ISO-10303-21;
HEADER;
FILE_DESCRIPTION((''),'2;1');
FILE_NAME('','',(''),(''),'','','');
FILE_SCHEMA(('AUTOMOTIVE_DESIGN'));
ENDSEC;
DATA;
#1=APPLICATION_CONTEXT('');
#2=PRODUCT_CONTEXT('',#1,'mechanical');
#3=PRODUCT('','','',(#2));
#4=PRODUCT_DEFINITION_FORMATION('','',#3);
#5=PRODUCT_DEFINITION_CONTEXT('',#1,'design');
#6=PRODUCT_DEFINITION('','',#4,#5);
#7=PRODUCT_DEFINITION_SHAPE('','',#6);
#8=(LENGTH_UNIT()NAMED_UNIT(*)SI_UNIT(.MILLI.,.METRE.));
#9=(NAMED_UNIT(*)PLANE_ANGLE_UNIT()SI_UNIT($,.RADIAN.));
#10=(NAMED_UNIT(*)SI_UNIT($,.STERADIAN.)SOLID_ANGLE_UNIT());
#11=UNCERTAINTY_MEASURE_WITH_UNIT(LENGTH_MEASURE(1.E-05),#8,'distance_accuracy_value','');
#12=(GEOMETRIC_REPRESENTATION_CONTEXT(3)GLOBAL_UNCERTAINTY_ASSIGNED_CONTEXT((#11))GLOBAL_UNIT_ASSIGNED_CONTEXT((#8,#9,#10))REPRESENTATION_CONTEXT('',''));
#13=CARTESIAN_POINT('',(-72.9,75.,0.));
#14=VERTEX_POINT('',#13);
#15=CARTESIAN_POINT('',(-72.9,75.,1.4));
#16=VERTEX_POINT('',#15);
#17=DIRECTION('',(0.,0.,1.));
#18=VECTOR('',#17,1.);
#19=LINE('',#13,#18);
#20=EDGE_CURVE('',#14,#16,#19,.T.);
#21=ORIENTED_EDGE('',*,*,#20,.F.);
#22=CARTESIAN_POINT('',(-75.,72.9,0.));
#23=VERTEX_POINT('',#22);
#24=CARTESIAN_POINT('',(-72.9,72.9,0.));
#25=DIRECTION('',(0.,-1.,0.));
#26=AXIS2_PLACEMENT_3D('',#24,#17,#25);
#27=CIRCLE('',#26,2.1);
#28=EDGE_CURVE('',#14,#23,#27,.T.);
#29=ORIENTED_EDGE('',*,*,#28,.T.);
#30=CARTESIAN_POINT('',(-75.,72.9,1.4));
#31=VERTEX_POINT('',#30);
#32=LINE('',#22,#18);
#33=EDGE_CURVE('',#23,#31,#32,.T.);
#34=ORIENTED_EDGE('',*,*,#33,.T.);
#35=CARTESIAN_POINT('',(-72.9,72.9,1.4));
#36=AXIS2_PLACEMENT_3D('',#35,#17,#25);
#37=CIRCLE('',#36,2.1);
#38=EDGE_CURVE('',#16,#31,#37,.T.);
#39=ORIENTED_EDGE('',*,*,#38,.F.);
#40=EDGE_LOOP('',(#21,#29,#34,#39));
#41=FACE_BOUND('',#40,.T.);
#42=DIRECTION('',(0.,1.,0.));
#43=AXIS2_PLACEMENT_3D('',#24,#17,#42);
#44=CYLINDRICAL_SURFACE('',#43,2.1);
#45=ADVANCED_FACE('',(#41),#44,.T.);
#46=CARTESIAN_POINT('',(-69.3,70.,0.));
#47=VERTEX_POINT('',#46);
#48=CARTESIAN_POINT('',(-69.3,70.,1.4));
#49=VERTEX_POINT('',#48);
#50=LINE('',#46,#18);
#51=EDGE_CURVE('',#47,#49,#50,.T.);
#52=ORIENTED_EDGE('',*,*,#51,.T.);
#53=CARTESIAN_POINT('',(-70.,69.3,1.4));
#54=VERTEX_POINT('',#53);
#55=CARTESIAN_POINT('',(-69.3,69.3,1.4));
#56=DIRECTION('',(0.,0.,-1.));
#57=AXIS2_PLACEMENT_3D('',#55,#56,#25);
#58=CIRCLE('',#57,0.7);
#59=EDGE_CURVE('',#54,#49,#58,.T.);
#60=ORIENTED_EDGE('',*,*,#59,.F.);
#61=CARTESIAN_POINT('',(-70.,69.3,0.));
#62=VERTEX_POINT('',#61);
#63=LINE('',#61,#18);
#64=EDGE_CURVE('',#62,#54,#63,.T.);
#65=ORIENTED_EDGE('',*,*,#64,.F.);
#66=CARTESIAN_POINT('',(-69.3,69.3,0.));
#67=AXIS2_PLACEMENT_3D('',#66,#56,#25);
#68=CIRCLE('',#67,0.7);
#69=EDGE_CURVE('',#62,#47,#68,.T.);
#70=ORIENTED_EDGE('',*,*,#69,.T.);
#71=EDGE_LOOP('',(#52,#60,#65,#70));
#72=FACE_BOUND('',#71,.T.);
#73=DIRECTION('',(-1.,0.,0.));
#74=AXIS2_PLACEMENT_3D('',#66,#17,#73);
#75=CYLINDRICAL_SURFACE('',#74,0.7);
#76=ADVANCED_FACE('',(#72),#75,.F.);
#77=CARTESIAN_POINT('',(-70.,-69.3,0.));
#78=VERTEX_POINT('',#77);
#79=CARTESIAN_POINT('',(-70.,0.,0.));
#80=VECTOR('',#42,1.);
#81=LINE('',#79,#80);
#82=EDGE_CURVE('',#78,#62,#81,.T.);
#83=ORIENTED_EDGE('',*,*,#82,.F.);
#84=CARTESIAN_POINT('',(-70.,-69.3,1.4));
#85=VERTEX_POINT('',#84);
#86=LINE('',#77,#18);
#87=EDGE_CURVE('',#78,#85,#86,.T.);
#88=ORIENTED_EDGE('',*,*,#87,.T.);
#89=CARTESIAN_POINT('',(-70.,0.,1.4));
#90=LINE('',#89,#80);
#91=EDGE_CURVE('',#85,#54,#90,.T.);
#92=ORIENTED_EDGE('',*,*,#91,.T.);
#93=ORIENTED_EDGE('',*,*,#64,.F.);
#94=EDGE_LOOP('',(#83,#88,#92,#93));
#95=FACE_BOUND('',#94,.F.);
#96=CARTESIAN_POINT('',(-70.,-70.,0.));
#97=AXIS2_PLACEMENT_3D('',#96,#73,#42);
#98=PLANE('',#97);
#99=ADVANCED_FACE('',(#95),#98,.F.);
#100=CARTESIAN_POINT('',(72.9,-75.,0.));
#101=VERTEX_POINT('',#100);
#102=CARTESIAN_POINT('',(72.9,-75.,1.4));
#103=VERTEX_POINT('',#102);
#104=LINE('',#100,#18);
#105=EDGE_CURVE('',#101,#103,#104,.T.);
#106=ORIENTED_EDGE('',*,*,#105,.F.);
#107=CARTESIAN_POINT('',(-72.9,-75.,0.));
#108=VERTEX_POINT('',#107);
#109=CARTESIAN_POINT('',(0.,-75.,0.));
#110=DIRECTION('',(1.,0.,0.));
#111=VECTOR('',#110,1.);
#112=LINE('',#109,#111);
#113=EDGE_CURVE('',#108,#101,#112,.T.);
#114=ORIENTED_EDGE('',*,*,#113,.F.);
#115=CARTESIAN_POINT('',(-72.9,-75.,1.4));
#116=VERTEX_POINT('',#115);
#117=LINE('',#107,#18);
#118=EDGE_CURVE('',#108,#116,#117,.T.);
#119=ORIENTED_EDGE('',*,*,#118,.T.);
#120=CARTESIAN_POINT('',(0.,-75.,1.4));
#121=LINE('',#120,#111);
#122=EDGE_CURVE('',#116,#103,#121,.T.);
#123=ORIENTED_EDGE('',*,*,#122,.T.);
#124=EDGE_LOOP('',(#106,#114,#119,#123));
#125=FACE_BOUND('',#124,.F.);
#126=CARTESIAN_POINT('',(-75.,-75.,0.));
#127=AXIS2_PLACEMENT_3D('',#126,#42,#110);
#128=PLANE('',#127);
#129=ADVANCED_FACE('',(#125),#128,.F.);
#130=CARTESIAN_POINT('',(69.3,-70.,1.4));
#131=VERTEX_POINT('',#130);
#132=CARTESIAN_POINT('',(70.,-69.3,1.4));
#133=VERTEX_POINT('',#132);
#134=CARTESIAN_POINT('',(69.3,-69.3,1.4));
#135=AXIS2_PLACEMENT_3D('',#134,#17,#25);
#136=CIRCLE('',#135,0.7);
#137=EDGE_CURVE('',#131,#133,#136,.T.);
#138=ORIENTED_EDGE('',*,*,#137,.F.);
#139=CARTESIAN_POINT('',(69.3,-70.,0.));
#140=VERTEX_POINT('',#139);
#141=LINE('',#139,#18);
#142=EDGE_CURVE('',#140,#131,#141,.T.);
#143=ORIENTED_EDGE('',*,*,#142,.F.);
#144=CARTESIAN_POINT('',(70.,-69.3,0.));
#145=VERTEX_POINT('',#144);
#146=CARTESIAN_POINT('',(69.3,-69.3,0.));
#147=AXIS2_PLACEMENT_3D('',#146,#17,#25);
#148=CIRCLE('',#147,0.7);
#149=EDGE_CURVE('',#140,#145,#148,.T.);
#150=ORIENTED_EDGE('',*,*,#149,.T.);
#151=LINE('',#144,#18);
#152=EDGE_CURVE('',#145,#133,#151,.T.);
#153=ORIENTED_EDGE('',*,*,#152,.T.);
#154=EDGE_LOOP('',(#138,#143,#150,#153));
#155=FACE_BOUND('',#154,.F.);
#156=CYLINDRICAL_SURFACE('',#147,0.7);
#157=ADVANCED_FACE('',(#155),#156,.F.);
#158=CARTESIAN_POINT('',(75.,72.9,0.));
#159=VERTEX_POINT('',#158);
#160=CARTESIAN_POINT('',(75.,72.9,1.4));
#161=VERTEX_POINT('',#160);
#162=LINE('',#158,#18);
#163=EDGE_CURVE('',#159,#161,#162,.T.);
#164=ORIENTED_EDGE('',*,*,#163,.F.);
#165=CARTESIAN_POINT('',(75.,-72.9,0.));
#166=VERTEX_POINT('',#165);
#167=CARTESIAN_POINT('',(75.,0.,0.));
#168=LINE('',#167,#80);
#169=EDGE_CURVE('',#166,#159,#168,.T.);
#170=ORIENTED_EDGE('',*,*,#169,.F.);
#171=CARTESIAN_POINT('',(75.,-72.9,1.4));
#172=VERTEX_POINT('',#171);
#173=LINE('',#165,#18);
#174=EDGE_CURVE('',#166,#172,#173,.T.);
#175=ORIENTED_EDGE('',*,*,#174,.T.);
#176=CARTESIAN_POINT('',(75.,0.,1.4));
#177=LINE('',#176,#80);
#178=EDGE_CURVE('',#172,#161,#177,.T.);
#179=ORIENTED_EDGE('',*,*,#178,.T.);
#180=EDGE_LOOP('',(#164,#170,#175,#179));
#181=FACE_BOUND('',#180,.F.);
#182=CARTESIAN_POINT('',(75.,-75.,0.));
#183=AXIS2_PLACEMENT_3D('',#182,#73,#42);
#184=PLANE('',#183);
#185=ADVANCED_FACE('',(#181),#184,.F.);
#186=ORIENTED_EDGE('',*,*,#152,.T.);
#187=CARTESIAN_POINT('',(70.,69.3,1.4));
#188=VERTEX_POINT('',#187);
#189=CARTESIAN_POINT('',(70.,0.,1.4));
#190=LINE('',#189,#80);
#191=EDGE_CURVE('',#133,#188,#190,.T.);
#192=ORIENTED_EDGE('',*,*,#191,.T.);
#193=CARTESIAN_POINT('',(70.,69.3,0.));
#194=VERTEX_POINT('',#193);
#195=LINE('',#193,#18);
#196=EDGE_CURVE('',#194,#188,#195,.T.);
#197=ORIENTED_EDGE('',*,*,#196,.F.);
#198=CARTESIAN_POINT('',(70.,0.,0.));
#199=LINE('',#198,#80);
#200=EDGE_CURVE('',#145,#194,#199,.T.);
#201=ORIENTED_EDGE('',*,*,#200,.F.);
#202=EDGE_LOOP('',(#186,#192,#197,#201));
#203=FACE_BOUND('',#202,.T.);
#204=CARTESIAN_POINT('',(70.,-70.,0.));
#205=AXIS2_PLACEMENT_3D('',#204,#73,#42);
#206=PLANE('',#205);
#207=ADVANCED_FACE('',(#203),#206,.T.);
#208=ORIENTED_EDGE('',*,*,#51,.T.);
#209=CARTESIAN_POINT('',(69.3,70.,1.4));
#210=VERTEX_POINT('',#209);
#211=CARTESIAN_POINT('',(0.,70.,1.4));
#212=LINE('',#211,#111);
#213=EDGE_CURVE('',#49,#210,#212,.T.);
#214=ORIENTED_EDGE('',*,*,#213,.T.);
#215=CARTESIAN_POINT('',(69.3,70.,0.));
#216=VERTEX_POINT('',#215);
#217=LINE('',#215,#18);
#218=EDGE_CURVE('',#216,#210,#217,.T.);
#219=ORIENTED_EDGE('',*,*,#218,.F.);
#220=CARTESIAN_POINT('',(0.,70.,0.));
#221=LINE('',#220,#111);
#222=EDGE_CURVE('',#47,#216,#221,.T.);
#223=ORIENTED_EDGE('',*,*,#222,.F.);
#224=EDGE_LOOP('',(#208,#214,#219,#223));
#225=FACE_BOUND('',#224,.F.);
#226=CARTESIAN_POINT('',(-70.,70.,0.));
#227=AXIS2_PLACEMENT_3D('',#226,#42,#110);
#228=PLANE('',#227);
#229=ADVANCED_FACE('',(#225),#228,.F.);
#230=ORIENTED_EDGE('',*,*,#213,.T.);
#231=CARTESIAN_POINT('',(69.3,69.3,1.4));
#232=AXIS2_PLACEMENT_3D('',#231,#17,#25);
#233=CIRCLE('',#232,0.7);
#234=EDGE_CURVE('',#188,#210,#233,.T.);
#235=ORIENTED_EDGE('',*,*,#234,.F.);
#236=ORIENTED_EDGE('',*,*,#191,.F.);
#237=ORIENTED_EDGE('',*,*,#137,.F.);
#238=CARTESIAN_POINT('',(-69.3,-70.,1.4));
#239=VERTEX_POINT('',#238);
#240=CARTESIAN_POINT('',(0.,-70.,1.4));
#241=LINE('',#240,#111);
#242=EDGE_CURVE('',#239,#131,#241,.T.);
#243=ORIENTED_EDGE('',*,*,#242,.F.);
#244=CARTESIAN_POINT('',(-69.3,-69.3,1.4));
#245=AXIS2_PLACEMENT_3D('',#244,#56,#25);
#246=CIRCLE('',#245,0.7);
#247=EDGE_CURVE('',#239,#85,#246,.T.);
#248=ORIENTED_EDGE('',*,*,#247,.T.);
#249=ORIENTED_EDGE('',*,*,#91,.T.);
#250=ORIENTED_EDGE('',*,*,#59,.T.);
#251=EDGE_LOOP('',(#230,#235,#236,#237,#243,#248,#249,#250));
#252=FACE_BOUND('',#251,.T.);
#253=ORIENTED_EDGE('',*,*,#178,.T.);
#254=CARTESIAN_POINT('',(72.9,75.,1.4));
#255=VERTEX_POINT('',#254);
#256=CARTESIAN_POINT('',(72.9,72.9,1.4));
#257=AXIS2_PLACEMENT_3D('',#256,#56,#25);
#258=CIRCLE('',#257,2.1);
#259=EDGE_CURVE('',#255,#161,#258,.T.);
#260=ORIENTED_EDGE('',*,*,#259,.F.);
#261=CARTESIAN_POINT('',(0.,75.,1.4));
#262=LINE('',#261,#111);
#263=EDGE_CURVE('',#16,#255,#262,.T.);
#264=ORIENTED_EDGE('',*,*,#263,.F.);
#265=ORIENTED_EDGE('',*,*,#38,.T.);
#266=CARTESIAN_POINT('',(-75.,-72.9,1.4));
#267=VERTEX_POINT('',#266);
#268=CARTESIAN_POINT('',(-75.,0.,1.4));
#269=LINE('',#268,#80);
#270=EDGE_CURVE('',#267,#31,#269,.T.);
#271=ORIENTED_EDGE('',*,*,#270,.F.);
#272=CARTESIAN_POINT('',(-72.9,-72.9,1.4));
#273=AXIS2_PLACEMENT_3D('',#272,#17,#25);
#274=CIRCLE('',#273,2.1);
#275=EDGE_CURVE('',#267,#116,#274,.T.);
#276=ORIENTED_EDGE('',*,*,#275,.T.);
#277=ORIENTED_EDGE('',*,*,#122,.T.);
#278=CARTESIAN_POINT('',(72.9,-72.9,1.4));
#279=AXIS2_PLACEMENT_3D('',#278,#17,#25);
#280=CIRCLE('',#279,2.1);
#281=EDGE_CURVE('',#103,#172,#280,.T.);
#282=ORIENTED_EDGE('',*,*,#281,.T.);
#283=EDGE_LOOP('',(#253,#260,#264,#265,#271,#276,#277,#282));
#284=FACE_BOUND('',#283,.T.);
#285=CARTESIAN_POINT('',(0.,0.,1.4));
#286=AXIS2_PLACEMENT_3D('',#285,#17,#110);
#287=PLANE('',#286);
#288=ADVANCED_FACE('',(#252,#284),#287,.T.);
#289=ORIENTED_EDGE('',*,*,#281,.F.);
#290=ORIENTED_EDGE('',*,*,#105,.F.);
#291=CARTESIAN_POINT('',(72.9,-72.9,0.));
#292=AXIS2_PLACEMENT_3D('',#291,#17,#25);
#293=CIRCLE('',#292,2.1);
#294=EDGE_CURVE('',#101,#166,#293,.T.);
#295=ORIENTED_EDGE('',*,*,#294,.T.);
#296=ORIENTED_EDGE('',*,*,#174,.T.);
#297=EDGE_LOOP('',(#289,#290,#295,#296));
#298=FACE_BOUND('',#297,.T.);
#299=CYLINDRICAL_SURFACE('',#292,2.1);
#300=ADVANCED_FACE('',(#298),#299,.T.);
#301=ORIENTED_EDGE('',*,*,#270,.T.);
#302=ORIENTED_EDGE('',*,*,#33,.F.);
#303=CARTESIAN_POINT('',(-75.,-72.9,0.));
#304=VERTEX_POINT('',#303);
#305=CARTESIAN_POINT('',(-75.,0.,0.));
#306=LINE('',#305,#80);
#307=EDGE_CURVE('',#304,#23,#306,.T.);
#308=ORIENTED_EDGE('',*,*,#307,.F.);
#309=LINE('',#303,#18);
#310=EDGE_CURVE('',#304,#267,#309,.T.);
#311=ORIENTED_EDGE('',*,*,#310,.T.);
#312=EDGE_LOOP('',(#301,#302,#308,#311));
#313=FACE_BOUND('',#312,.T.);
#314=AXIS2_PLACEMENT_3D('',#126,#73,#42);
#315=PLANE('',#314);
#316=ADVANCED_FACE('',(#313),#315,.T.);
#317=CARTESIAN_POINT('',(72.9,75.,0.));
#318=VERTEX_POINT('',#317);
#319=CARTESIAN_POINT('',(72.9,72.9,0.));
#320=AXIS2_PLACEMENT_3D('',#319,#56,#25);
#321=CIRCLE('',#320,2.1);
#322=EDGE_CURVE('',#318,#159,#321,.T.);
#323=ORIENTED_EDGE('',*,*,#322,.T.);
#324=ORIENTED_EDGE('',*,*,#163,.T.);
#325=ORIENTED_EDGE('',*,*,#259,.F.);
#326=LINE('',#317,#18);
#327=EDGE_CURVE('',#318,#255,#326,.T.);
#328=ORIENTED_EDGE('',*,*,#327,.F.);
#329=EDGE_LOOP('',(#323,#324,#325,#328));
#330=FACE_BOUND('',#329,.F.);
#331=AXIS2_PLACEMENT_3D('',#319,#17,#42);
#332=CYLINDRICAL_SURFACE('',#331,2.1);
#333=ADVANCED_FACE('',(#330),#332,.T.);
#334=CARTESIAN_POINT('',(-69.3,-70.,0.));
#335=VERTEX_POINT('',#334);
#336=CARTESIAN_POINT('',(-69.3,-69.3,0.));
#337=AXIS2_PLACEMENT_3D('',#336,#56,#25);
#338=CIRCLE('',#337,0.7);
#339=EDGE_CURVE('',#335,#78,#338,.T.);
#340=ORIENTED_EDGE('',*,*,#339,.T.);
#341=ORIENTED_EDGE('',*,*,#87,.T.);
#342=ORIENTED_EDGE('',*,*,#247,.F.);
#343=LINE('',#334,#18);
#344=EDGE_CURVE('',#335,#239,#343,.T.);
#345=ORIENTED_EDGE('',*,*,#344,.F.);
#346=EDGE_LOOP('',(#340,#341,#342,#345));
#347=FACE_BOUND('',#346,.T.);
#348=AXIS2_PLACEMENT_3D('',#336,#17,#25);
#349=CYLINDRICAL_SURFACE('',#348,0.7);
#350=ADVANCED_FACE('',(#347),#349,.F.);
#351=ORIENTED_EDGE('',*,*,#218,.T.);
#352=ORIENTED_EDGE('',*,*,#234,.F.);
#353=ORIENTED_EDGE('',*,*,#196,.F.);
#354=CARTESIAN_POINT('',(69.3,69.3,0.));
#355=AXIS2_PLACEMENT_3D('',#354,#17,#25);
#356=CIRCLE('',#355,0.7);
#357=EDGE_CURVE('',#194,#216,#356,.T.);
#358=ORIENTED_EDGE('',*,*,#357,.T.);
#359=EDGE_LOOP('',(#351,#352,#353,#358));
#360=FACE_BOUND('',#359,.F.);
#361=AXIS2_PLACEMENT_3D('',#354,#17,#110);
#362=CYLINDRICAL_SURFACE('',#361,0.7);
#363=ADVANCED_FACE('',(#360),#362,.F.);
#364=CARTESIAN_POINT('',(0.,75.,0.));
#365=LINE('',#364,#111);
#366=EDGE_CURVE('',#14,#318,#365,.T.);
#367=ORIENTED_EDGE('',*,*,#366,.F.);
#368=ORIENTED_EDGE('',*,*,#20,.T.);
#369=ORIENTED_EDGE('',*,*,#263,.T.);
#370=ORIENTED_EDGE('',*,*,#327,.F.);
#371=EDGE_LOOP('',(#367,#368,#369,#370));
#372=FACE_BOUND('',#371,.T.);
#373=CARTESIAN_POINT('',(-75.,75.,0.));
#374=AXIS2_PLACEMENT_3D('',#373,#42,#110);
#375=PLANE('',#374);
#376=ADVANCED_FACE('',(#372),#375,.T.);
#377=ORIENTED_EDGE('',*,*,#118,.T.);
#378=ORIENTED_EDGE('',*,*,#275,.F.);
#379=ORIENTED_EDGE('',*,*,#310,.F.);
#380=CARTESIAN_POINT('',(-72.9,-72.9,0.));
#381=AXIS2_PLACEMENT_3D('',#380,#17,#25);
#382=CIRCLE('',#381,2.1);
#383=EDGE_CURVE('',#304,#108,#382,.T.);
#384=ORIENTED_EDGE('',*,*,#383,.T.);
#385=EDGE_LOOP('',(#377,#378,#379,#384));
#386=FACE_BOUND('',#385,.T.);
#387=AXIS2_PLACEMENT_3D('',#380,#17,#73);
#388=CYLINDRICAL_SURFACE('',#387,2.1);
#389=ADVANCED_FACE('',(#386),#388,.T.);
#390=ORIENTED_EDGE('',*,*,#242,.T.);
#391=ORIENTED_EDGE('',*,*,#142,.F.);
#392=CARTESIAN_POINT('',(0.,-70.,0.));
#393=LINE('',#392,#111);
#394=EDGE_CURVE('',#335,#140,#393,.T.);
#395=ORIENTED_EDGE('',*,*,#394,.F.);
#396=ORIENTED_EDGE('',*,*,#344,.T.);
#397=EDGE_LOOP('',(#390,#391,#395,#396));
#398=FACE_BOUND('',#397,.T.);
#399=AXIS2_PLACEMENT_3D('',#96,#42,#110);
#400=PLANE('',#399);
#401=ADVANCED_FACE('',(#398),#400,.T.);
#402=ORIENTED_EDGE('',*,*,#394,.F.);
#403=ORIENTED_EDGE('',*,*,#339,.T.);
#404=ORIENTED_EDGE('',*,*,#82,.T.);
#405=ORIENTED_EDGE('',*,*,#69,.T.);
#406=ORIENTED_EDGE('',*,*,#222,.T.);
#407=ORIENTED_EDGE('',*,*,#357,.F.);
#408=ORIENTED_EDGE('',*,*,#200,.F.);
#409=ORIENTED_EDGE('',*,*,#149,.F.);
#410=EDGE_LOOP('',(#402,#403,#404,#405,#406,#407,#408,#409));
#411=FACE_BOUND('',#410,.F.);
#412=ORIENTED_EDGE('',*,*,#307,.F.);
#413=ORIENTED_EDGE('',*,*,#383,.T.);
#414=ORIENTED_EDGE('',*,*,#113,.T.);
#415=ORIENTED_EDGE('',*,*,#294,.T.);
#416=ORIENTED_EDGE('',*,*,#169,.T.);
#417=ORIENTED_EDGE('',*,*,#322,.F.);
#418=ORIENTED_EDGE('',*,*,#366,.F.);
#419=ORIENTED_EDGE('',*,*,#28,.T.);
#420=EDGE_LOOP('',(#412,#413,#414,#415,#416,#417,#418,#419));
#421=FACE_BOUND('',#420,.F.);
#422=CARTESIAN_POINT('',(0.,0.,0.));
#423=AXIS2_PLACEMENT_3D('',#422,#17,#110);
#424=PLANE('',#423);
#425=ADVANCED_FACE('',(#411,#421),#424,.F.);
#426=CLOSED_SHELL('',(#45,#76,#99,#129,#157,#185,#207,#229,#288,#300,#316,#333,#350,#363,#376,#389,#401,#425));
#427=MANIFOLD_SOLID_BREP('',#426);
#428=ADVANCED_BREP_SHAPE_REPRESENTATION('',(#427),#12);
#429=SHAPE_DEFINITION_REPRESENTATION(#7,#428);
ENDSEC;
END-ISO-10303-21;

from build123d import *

# Parameters (mm, degrees)
F0_W     = 150
F0_H     = 150
F0_W_2   = 140
F0_H_2   = 140
F1_DEPTH = 1.4
F2_R     = 2.1
F3_R     = 0.7
F4_R     = 2.1
F5_R     = 2.1
F6_R     = 0.7
F7_R     = 2.1
F8_R     = 0.7
F9_R     = 0.7


with BuildPart() as f1:
    # F0 (on Top) → F1 (new body)
    with BuildSketch(Plane.XY):
        Rectangle(F0_W, F0_H)
        Rectangle(F0_W_2, F0_H_2, mode=Mode.SUBTRACT)
    extrude(amount=F1_DEPTH)

    # F2
    f2_edges = [f1.edges().sort_by_distance(p)[0] for p in [
        (75, 75, 0.7),
    ]]
    fillet(f2_edges, radius=F2_R)

    # F3
    f3_edges = [f1.edges().sort_by_distance(p)[0] for p in [
        (70, 70, 0.7),
    ]]
    fillet(f3_edges, radius=F3_R)

    # F4
    f4_edges = [f1.edges().sort_by_distance(p)[0] for p in [
        (-75, 75, 0.7),
    ]]
    fillet(f4_edges, radius=F4_R)

    # F5
    f5_edges = [f1.edges().sort_by_distance(p)[0] for p in [
        (-75, -75, 0.7),
    ]]
    fillet(f5_edges, radius=F5_R)

    # F6
    f6_edges = [f1.edges().sort_by_distance(p)[0] for p in [
        (-70, -70, 0.7),
    ]]
    fillet(f6_edges, radius=F6_R)

    # F7
    f7_edges = [f1.edges().sort_by_distance(p)[0] for p in [
        (75, -75, 0.7),
    ]]
    fillet(f7_edges, radius=F7_R)

    # F8
    f8_edges = [f1.edges().sort_by_distance(p)[0] for p in [
        (70, -70, 0.7),
    ]]
    fillet(f8_edges, radius=F8_R)

    # F9
    f9_edges = [f1.edges().sort_by_distance(p)[0] for p in [
        (-70, 70, 0.7),
    ]]
    fillet(f9_edges, radius=F9_R)


solid = f1.part
